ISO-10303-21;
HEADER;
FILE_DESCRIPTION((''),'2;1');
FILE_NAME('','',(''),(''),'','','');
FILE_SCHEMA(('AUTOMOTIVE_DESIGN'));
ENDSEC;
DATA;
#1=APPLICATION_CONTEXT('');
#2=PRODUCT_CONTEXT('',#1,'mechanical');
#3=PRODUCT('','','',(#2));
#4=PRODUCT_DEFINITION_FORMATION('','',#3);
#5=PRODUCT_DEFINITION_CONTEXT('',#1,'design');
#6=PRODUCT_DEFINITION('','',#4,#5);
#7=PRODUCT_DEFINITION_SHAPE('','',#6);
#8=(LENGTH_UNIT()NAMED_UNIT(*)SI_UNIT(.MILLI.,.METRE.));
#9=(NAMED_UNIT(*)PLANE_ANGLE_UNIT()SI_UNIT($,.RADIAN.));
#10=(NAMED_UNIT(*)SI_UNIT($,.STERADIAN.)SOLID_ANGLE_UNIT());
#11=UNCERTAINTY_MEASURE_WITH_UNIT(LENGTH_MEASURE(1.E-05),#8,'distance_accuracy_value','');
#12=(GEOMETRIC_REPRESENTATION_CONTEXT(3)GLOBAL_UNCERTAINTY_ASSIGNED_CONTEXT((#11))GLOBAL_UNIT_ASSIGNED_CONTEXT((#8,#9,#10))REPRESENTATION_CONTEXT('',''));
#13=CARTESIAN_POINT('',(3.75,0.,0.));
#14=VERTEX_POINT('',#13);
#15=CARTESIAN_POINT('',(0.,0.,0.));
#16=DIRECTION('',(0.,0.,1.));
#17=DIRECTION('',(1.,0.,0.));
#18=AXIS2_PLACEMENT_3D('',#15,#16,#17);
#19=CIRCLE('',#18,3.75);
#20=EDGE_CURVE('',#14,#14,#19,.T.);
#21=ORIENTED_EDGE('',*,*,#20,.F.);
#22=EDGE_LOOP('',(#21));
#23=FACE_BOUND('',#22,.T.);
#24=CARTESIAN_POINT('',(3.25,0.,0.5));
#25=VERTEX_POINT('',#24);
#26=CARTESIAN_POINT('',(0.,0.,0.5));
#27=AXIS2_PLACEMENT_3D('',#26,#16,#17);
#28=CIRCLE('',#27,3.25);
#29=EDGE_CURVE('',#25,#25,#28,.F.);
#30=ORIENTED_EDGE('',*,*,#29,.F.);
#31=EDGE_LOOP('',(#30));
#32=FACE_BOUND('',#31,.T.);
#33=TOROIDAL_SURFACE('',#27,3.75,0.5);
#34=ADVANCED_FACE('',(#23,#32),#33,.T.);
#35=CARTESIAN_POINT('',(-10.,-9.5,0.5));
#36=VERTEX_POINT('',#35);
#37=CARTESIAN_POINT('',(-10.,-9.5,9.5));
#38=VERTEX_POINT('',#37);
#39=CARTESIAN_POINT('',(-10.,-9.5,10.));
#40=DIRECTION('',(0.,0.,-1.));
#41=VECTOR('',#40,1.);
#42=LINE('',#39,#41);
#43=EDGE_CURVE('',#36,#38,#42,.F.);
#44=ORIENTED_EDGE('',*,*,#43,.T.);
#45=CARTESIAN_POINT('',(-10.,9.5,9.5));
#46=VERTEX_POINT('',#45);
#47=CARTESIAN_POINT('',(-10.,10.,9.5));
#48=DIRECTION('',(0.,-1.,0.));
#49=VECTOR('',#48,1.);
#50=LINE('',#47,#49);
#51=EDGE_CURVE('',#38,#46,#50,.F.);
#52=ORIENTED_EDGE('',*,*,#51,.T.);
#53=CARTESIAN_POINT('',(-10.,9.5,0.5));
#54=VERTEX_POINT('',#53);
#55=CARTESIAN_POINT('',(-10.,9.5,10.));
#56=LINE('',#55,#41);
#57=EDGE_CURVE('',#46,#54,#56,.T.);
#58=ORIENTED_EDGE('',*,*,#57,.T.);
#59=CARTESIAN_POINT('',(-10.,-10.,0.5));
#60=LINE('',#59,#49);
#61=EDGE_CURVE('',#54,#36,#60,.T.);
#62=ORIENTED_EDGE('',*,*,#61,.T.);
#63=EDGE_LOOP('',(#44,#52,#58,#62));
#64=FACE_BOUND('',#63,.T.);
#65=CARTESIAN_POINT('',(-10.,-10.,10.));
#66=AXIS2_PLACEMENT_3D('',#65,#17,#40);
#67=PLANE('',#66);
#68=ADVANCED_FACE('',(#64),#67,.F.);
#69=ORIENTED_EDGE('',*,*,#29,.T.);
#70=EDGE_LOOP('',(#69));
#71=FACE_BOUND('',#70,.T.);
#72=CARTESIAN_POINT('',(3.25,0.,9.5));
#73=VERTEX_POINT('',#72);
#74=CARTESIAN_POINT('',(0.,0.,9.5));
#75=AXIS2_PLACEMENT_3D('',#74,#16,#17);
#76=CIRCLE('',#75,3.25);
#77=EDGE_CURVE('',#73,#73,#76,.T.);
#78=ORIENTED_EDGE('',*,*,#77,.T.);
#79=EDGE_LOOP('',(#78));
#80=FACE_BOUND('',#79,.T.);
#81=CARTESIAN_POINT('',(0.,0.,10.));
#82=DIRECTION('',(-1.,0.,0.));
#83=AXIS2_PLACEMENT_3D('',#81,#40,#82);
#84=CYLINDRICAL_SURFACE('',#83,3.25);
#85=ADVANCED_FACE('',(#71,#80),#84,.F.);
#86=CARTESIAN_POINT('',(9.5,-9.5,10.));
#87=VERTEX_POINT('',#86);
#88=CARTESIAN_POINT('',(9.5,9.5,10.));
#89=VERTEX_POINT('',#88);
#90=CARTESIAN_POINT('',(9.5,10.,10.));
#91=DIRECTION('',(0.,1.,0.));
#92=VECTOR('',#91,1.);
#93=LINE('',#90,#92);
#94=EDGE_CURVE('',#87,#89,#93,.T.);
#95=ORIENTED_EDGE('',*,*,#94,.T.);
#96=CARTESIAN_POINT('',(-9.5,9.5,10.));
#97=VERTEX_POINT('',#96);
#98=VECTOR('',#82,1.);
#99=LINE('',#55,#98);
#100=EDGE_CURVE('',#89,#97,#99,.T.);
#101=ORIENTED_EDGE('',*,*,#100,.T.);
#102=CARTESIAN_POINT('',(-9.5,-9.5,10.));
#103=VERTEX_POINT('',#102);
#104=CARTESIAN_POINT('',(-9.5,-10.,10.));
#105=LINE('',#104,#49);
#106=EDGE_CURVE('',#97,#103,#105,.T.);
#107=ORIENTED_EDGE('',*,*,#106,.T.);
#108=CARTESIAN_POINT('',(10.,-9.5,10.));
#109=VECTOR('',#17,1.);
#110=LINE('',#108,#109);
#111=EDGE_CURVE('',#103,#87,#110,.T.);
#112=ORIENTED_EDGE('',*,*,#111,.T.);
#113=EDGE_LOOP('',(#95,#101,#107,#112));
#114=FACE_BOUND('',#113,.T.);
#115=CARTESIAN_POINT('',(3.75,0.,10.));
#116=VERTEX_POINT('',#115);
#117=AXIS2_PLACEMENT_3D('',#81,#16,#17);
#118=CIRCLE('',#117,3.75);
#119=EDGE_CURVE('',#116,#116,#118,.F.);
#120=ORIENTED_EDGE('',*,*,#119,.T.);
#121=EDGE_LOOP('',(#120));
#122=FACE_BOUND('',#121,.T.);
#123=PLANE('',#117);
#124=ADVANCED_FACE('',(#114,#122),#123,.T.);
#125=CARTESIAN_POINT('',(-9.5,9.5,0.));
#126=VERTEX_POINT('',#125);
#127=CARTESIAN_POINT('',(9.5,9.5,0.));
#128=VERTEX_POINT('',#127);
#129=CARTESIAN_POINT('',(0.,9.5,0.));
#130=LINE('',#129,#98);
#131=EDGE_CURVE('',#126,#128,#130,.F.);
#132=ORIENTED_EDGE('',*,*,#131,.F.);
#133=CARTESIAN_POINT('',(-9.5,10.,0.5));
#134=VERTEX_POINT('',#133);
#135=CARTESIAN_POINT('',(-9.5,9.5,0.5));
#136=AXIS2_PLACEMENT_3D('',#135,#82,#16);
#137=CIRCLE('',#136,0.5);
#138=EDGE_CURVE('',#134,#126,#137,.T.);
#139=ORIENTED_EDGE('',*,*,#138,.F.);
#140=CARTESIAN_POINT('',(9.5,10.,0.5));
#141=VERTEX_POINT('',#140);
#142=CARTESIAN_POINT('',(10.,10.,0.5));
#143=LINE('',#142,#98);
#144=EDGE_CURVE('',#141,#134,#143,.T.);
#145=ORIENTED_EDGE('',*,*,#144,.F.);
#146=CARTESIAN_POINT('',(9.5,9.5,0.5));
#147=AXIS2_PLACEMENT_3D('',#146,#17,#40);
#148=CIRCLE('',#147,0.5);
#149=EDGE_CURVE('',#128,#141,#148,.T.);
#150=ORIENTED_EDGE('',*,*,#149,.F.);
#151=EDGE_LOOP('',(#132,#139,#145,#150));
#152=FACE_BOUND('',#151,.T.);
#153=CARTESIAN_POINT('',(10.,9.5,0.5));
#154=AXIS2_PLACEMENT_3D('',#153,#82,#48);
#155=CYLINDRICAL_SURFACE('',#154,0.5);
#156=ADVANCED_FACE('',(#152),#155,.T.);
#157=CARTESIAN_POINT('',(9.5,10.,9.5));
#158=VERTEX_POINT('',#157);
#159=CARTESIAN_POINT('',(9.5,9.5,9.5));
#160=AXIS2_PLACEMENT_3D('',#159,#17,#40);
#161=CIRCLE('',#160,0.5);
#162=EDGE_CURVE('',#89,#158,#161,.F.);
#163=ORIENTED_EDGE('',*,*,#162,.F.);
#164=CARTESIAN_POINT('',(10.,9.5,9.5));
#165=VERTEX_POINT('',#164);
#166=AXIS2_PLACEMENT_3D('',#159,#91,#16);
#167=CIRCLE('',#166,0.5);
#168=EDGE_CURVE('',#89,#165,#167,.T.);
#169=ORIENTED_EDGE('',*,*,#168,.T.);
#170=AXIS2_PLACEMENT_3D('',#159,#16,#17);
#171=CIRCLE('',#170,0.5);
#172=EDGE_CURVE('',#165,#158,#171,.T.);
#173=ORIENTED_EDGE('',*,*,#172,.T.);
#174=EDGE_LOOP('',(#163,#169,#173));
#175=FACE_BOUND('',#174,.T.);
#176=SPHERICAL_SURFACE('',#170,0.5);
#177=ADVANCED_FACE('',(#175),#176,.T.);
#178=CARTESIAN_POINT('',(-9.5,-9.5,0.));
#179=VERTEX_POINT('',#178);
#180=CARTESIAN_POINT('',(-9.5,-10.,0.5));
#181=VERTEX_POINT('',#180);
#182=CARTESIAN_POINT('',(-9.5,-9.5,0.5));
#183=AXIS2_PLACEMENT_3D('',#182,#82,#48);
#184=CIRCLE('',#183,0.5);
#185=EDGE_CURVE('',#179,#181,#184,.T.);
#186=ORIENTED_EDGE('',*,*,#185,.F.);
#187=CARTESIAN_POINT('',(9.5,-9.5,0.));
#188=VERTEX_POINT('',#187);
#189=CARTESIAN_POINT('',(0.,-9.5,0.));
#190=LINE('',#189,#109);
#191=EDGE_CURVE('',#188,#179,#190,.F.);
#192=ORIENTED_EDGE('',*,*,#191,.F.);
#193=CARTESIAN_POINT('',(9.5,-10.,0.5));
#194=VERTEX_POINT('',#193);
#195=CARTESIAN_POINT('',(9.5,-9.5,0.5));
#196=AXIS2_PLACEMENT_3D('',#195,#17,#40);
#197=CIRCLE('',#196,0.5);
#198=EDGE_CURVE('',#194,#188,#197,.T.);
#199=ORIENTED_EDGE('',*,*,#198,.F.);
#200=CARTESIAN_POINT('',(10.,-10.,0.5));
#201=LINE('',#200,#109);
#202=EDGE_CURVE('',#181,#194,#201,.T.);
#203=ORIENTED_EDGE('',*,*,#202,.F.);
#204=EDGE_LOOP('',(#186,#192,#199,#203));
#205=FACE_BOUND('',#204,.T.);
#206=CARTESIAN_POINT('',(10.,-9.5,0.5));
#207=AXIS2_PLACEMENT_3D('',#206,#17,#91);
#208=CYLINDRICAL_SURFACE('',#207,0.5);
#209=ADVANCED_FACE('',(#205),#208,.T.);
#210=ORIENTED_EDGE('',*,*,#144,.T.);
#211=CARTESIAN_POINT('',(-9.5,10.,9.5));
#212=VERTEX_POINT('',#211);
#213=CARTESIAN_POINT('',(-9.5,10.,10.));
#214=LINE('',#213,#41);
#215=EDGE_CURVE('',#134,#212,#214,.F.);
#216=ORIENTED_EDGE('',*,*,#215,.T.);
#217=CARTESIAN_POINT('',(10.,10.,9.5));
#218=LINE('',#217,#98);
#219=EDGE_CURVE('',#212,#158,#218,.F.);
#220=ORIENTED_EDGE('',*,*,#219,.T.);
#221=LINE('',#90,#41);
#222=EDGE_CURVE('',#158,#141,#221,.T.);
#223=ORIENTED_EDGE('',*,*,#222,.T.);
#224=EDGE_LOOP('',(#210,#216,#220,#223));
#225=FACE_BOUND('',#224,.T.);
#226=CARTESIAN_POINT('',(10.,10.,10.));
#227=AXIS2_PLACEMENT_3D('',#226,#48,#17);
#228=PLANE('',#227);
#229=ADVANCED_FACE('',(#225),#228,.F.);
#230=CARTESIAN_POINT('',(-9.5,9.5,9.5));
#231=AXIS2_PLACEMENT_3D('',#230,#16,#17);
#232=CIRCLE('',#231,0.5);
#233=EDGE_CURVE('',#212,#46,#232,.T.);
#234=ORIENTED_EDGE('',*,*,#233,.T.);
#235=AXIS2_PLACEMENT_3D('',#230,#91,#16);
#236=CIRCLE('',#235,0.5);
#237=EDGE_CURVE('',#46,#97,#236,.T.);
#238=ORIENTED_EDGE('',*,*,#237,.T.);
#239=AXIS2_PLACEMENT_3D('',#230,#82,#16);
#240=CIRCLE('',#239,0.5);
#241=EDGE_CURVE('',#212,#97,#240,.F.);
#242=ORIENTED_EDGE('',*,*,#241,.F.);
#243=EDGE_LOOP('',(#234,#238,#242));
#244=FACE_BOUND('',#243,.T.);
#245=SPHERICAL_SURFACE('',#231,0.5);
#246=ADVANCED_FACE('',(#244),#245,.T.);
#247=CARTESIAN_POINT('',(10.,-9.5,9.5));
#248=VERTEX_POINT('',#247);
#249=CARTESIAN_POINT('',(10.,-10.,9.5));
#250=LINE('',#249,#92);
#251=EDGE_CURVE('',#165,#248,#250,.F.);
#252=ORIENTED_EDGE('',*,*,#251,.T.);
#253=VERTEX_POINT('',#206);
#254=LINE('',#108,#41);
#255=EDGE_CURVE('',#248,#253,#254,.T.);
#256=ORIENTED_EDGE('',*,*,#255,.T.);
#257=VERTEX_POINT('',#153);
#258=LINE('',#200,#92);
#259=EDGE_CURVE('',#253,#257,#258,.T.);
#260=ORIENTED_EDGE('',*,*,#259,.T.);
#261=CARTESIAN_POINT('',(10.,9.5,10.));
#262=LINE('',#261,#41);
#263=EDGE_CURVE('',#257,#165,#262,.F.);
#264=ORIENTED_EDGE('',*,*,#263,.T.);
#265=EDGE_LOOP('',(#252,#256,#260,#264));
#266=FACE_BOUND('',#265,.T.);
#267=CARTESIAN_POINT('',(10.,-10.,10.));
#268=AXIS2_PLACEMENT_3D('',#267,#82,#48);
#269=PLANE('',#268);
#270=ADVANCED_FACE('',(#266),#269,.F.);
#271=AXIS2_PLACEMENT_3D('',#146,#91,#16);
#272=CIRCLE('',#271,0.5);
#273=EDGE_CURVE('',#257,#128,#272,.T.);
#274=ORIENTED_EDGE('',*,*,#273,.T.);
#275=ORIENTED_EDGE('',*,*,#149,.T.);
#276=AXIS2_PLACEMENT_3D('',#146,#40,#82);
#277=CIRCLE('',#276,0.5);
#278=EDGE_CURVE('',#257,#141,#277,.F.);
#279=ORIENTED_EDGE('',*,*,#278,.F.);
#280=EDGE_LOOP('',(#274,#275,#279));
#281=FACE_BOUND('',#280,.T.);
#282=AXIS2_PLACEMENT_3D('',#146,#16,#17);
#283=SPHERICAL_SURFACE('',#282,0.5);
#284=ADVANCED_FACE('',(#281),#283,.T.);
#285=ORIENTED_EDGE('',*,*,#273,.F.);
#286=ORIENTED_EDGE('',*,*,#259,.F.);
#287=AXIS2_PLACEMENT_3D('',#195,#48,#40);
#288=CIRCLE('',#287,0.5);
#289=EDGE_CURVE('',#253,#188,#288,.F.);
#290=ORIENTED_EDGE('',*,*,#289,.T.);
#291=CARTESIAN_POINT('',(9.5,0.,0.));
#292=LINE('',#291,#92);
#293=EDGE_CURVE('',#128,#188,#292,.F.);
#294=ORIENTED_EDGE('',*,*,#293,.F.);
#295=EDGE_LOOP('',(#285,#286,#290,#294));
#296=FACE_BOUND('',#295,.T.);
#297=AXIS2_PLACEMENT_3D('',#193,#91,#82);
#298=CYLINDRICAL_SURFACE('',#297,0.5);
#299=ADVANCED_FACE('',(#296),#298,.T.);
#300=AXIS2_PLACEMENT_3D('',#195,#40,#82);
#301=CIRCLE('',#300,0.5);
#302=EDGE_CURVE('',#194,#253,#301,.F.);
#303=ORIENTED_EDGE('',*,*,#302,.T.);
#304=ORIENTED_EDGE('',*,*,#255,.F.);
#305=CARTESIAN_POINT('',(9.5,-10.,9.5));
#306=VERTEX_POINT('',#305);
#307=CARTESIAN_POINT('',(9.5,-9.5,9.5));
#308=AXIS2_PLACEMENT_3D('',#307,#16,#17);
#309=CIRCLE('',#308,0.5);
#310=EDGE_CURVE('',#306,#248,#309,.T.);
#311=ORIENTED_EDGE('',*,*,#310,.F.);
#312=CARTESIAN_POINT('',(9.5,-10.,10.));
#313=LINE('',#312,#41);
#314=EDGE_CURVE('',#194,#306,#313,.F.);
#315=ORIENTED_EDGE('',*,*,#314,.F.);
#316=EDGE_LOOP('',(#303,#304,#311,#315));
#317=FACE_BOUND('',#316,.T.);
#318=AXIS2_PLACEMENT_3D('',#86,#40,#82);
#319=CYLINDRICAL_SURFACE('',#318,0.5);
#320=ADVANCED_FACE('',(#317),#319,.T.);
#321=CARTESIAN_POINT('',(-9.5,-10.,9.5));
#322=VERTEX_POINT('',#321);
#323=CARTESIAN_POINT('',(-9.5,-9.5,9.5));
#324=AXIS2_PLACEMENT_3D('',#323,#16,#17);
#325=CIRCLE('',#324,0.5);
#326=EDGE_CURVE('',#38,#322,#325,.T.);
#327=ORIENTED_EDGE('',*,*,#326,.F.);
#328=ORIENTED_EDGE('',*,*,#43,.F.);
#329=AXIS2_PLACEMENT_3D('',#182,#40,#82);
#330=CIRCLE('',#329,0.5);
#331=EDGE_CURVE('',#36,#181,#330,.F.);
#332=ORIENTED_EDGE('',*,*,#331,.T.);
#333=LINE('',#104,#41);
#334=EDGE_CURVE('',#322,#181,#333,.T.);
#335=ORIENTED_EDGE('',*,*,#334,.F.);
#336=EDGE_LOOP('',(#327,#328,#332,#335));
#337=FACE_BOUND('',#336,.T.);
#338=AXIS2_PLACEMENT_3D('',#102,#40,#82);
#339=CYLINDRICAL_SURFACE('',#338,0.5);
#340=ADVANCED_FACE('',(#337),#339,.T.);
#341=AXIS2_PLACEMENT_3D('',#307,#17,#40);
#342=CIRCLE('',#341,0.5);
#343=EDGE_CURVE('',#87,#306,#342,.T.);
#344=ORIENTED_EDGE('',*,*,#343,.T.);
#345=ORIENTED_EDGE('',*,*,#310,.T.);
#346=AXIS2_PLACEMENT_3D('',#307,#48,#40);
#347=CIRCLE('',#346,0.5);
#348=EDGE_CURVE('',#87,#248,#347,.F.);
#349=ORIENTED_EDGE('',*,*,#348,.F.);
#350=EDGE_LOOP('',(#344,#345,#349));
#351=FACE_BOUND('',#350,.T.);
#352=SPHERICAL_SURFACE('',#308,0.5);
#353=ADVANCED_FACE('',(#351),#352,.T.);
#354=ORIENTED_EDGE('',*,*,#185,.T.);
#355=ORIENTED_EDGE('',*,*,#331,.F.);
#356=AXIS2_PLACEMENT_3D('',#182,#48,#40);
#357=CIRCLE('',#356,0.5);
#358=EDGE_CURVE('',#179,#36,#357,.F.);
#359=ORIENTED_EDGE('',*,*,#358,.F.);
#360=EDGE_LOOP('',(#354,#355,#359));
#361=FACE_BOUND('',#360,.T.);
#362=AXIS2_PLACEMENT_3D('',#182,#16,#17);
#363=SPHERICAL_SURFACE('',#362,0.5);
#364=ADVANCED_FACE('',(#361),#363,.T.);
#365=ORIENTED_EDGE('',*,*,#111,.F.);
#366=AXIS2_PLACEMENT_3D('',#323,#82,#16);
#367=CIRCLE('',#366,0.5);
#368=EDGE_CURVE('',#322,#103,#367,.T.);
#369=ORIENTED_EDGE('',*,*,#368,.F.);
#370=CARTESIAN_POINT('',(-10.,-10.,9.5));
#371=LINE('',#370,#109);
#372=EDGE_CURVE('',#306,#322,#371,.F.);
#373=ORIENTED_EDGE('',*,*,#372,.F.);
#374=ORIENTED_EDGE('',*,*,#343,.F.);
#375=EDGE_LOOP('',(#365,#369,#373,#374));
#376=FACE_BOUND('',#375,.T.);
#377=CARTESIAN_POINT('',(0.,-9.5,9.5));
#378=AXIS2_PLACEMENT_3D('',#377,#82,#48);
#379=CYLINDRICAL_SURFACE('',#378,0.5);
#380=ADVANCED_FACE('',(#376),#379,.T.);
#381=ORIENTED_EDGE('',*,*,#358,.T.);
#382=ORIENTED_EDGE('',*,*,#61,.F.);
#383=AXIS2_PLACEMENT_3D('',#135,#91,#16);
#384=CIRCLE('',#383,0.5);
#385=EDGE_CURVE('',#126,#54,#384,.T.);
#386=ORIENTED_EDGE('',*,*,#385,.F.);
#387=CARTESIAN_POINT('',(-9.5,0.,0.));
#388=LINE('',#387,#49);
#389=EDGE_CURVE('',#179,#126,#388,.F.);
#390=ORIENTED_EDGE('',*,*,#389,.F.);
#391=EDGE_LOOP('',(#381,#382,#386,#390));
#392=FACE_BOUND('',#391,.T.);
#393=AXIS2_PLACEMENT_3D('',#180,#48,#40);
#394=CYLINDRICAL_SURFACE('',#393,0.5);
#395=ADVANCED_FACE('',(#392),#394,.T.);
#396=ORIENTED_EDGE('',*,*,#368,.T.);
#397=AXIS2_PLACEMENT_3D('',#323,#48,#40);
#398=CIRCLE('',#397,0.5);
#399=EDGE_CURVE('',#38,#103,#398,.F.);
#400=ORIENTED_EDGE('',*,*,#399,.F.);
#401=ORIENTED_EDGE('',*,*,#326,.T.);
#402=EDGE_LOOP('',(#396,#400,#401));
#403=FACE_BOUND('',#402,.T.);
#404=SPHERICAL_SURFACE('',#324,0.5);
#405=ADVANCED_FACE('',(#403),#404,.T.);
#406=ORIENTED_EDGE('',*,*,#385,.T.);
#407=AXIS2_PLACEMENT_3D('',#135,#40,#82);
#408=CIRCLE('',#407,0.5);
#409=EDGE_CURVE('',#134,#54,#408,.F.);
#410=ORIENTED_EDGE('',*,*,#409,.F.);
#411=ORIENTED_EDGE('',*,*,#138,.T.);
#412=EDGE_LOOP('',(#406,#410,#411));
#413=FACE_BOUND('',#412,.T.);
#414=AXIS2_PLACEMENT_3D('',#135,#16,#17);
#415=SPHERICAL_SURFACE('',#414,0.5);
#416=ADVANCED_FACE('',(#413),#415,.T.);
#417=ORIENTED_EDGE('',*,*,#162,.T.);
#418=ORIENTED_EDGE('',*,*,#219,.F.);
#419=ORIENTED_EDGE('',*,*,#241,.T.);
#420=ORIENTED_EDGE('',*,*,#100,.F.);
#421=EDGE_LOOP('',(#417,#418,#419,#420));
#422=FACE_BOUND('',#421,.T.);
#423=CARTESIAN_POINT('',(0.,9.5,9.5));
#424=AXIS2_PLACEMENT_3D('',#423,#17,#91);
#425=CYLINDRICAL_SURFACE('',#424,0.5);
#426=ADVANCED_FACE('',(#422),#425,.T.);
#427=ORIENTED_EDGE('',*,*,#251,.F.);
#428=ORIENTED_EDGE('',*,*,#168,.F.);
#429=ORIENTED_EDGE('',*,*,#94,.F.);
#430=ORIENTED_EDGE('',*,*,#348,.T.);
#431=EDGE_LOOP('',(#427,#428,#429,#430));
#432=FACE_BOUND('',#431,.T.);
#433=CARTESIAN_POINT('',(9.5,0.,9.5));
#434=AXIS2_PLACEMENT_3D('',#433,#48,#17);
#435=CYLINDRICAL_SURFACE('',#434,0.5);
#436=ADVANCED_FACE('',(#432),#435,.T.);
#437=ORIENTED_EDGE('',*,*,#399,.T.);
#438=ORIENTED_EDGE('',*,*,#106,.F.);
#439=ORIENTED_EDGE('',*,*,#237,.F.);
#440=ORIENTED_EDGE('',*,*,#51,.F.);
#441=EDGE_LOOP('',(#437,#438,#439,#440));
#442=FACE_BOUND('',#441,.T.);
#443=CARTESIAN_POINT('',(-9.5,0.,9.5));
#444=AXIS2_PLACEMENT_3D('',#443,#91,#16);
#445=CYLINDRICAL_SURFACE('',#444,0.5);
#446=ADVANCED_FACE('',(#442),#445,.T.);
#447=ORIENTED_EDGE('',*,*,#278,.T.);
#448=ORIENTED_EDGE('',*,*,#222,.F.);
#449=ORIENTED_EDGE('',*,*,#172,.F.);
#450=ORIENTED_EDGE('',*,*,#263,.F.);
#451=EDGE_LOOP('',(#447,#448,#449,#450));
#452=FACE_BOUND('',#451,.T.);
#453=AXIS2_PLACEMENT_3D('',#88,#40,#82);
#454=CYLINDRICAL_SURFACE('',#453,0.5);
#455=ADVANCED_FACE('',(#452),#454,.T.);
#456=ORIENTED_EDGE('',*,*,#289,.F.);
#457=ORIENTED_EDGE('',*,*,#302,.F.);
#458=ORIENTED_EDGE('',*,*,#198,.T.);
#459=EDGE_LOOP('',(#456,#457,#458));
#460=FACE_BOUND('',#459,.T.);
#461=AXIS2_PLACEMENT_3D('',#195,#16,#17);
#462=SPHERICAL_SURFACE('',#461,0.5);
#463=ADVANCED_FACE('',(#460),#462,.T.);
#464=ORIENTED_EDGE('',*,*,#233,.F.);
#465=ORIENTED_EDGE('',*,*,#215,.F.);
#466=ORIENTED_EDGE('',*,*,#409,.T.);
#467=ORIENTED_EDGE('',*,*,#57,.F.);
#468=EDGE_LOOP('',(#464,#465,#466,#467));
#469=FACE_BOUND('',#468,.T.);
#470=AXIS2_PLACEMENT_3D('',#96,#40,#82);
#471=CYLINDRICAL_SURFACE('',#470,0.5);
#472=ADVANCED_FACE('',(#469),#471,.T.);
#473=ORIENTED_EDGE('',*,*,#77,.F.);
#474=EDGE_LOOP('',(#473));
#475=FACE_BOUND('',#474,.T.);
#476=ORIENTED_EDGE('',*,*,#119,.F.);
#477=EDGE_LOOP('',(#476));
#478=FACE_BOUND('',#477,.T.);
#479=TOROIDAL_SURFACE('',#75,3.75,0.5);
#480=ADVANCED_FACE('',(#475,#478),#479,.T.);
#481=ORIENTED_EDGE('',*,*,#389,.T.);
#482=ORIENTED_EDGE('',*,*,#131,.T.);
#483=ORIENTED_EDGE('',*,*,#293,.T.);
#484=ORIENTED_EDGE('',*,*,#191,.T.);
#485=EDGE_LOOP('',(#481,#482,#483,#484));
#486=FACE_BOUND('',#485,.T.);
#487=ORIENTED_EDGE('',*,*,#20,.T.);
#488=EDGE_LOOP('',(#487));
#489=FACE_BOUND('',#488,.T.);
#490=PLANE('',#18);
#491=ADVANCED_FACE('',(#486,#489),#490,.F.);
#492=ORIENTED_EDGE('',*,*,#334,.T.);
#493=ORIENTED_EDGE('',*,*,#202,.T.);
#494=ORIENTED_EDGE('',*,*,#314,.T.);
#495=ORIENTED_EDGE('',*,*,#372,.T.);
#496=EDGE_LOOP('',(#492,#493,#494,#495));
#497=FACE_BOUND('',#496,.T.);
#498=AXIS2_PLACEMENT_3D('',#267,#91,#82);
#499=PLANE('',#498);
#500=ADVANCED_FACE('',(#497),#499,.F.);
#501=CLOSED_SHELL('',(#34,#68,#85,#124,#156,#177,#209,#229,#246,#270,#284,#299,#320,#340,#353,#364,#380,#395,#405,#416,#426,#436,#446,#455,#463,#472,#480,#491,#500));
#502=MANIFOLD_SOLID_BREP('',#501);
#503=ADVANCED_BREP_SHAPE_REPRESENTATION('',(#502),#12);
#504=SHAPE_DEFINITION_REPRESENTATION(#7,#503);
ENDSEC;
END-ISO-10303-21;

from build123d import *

# Parameters (mm, degrees)
ESQUISSE1_W        = 20
ESQUISSE1_H        = 20
ESQUISSE1_R        = 3.25
BOSS_EXTRU_1_DEPTH = 10
CONG_1_R           = 0.5


with BuildPart() as part:
    # Esquisse1 → Boss.-Extru.1 (new body)
    with BuildSketch(Plane.XY):
        Rectangle(ESQUISSE1_W, ESQUISSE1_H)
        Circle(ESQUISSE1_R, mode=Mode.SUBTRACT)
    extrude(amount=BOSS_EXTRU_1_DEPTH)

    # Congé1
    cong_1_edges = [part.edges().sort_by_distance(p)[0] for p in [
        (-3.25, 0, 0),
        (-3.25, 0, 10),
        (10, 0, 10),
        (0, 10, 10),
        (-10, 0, 10),
        (0, 10, 0),
        (10, 0, 0),
        (0, -10, 0),
        (-10, 0, 0),
        (-10, 10, 5),
        (10, 10, 5),
        (10, -10, 5),
        (-10, -10, 5),
        (0, -10, 10),
    ]]
    fillet(cong_1_edges, radius=CONG_1_R)


solid = part.part
